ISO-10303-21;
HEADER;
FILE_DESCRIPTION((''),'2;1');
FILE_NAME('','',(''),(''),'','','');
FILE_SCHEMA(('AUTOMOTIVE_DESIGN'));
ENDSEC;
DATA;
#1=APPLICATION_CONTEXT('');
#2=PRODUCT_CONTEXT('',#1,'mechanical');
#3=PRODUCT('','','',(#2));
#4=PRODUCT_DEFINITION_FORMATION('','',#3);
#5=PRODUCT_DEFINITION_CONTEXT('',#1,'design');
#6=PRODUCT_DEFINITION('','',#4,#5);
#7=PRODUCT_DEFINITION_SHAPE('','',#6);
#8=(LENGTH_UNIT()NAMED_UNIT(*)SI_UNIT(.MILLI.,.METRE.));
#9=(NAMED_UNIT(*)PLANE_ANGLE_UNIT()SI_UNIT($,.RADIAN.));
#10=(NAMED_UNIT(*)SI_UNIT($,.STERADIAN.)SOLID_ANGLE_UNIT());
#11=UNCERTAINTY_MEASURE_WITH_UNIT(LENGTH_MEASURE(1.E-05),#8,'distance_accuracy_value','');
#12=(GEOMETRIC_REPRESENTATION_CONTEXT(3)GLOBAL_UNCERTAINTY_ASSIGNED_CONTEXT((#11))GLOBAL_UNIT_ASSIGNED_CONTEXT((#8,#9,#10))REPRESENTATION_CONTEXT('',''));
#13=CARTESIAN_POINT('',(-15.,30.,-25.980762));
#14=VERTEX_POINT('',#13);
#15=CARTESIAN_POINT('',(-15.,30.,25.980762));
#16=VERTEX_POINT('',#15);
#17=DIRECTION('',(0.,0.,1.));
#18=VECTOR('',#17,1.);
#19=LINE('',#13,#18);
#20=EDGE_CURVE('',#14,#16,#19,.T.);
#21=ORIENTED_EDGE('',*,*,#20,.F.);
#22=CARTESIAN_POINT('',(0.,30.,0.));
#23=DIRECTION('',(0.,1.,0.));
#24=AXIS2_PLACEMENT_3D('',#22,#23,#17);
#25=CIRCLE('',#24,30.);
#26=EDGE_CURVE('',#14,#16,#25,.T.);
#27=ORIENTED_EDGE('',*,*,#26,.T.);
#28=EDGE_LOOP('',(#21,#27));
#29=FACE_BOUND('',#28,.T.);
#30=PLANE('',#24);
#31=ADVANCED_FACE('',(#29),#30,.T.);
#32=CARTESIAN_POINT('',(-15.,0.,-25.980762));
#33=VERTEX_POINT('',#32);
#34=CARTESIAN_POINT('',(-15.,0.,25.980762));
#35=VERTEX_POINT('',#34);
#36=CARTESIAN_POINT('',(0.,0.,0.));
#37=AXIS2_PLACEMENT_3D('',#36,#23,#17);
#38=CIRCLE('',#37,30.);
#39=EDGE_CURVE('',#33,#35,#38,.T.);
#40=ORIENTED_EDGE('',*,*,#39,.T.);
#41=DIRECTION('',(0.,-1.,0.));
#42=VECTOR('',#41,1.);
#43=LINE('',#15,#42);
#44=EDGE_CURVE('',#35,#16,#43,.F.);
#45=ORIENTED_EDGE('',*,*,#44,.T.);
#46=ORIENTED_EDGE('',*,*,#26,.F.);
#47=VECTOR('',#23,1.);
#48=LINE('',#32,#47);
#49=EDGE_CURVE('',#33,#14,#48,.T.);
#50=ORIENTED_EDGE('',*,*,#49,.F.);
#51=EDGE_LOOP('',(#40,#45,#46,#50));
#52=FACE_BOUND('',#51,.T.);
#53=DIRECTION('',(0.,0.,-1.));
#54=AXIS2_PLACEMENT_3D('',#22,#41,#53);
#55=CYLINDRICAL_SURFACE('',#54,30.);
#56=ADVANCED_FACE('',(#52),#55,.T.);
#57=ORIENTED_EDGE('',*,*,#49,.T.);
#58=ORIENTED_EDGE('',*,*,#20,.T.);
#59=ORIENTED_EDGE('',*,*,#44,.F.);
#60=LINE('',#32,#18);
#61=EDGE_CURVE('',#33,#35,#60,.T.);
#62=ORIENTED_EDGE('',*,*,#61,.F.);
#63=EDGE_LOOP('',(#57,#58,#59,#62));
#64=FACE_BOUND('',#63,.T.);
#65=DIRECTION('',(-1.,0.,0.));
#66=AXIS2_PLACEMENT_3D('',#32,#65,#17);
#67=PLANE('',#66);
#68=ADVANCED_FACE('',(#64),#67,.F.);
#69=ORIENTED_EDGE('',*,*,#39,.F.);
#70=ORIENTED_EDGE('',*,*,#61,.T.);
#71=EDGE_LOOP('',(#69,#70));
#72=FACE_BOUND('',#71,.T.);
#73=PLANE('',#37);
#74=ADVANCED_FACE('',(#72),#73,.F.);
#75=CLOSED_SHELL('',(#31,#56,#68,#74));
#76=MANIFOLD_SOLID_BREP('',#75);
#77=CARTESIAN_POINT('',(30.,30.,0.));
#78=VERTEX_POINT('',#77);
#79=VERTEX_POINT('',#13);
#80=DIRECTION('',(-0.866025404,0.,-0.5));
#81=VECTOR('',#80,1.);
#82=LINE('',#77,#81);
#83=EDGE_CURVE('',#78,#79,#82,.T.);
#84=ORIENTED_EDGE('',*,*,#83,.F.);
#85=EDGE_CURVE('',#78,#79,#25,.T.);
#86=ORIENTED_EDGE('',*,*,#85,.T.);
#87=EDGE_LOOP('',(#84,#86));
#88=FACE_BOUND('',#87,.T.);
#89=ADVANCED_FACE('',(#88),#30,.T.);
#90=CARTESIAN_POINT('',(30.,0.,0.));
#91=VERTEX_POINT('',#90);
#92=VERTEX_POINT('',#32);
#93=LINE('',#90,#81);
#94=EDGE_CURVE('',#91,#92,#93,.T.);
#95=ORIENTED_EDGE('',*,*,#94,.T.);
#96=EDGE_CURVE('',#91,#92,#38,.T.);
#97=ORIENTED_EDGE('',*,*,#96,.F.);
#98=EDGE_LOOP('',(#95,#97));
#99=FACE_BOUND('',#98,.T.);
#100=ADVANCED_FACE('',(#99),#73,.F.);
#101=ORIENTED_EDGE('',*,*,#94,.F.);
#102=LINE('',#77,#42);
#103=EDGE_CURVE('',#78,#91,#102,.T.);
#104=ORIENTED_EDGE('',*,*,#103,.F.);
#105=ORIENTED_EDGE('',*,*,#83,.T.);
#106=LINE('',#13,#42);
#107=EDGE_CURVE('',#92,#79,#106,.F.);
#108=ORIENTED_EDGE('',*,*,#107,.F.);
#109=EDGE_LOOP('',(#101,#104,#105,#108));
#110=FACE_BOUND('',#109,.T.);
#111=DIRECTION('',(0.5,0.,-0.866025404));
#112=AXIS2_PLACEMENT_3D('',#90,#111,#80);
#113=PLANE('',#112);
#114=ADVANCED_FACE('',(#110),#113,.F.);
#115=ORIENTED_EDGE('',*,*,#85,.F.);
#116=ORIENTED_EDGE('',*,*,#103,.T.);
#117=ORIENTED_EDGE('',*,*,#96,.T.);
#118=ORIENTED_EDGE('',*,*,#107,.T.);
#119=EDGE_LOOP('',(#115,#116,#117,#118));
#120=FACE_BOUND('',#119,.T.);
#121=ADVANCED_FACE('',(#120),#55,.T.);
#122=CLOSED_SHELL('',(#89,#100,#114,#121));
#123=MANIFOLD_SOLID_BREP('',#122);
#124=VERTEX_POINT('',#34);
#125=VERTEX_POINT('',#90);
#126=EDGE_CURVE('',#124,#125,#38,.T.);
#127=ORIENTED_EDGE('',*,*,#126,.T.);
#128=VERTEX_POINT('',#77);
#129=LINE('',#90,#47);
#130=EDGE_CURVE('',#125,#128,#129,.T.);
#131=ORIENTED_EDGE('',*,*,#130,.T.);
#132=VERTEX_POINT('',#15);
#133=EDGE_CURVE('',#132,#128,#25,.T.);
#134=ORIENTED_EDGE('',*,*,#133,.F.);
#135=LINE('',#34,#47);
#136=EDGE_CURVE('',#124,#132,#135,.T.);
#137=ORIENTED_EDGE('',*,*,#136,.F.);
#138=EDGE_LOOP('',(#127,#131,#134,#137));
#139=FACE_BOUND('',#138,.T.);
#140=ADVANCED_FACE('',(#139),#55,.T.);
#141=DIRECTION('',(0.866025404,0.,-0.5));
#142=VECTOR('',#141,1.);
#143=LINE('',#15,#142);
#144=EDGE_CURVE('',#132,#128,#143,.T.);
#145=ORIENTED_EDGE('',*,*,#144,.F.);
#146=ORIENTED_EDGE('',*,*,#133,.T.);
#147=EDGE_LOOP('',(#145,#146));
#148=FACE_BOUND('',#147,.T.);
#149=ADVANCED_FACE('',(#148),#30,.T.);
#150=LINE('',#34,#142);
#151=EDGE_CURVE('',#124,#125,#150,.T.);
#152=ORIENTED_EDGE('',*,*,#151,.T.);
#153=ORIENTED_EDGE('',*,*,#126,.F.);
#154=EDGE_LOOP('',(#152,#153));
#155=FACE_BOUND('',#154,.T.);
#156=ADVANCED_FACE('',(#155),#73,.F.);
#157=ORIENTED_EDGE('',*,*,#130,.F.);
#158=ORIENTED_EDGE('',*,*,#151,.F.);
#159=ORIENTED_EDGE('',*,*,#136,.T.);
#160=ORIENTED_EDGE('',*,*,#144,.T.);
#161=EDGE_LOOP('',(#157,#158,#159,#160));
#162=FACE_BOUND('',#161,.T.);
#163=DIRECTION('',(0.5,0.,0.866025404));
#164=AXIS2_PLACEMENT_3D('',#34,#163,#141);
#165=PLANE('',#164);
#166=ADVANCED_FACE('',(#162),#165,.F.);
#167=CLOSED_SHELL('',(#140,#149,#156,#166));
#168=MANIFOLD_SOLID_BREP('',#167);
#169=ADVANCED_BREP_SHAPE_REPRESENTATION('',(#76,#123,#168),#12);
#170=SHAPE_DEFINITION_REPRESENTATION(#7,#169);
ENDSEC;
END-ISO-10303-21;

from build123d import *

# Parameters (mm, degrees)
SKETCH_1_R          = 30
EXTRUDE_1_DEPTH     = 30
CUT_EXTRUDE_1_DEPTH = 52.961524227


with BuildPart() as part:
    # 草图1 → 凸台-拉伸1 (new body)
    with BuildSketch(Plane(origin=(0, 0, 0), x_dir=(1, 0, 0), z_dir=(0, 1, 0))):
        with Locations(Location((0, 0, 0), (0, 0, 270))):
            Circle(SKETCH_1_R)
    extrude(amount=EXTRUDE_1_DEPTH)

    # 草图2 → 切除-拉伸1 (cut, through all)
    with BuildSketch(Plane(origin=(0, 30, 0), x_dir=(1, 0, 0), z_dir=(0, 1, 0))):
        Polygon((30, 0), (-15, 25.980762114), (-15, -25.980762114), align=None)
    extrude(amount=-CUT_EXTRUDE_1_DEPTH, mode=Mode.SUBTRACT)


solid = part.part
